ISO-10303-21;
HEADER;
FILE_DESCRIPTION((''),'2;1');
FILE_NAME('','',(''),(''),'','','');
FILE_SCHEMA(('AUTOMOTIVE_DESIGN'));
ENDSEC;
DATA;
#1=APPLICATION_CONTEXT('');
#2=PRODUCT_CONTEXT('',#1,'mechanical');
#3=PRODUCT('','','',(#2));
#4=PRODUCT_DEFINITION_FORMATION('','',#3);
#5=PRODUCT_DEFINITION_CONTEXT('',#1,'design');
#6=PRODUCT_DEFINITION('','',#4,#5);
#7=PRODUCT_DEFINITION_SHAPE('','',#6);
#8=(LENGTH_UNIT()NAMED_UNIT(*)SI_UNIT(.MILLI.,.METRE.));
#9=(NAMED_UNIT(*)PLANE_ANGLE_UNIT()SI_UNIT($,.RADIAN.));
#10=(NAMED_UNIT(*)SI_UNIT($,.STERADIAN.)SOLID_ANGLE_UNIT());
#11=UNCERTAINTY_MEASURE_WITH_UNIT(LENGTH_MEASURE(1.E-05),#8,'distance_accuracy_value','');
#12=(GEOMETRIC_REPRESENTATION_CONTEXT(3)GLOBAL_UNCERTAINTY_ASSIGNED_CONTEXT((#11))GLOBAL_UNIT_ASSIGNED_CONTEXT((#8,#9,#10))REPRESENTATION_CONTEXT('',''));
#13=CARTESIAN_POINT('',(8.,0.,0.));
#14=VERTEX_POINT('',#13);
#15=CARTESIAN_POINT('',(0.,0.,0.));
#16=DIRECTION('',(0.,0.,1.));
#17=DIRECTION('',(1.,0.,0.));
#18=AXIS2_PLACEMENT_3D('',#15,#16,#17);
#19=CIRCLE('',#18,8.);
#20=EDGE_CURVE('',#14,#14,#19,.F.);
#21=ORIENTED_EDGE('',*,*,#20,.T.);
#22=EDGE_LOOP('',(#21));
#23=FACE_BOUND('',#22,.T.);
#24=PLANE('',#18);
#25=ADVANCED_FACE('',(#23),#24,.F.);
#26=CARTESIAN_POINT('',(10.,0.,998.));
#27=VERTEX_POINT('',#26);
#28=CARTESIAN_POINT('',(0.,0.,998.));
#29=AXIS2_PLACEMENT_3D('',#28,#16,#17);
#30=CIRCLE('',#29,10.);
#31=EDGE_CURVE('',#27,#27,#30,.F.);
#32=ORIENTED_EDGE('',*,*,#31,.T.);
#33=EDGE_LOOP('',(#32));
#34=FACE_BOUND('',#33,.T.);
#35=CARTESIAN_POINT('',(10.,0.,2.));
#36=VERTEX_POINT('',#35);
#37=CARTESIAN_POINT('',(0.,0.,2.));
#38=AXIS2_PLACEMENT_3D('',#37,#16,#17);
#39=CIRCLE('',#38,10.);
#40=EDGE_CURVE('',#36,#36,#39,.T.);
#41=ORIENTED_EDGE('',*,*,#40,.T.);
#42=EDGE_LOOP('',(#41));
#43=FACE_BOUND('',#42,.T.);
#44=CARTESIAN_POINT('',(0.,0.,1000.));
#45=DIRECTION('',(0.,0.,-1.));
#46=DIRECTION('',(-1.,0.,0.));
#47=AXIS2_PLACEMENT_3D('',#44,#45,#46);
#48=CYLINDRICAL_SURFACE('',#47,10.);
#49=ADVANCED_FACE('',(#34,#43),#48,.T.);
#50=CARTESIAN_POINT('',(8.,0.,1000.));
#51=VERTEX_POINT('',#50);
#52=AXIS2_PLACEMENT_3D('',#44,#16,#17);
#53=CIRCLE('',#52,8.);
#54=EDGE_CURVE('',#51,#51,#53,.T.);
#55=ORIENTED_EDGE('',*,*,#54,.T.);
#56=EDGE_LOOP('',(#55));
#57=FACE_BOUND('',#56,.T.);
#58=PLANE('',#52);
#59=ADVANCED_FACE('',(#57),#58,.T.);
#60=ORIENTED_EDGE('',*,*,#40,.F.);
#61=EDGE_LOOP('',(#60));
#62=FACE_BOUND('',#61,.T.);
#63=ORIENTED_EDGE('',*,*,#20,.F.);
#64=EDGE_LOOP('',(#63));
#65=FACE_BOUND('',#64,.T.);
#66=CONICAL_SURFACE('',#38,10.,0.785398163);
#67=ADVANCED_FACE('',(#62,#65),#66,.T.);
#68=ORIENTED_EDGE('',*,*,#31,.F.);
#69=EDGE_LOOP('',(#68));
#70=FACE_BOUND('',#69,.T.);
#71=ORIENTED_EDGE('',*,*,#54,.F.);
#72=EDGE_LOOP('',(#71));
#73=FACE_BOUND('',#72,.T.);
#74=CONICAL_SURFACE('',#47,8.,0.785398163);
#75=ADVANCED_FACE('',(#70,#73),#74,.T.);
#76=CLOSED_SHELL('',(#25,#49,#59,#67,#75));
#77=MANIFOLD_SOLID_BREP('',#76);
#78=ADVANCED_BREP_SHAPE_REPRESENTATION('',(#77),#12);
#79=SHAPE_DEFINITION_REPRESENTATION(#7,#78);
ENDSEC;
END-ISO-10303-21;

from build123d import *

# Parameters (mm, degrees)
SKETCH1_R           = 10
BOSS_EXTRUDE1_DEPTH = 1000
CHAMFER1_SIZE       = 2


with BuildPart() as part:
    # Sketch1 → Boss-Extrude1 (new body)
    with BuildSketch(Plane.XY):
        Circle(SKETCH1_R)
    extrude(amount=BOSS_EXTRUDE1_DEPTH)

    # Chamfer1
    chamfer1_edges = [part.edges().sort_by_distance(p)[0] for p in [
        (-10, 0, 0),
        (-10, 0, 1000),
    ]]
    chamfer(chamfer1_edges, length=CHAMFER1_SIZE)


solid = part.part
